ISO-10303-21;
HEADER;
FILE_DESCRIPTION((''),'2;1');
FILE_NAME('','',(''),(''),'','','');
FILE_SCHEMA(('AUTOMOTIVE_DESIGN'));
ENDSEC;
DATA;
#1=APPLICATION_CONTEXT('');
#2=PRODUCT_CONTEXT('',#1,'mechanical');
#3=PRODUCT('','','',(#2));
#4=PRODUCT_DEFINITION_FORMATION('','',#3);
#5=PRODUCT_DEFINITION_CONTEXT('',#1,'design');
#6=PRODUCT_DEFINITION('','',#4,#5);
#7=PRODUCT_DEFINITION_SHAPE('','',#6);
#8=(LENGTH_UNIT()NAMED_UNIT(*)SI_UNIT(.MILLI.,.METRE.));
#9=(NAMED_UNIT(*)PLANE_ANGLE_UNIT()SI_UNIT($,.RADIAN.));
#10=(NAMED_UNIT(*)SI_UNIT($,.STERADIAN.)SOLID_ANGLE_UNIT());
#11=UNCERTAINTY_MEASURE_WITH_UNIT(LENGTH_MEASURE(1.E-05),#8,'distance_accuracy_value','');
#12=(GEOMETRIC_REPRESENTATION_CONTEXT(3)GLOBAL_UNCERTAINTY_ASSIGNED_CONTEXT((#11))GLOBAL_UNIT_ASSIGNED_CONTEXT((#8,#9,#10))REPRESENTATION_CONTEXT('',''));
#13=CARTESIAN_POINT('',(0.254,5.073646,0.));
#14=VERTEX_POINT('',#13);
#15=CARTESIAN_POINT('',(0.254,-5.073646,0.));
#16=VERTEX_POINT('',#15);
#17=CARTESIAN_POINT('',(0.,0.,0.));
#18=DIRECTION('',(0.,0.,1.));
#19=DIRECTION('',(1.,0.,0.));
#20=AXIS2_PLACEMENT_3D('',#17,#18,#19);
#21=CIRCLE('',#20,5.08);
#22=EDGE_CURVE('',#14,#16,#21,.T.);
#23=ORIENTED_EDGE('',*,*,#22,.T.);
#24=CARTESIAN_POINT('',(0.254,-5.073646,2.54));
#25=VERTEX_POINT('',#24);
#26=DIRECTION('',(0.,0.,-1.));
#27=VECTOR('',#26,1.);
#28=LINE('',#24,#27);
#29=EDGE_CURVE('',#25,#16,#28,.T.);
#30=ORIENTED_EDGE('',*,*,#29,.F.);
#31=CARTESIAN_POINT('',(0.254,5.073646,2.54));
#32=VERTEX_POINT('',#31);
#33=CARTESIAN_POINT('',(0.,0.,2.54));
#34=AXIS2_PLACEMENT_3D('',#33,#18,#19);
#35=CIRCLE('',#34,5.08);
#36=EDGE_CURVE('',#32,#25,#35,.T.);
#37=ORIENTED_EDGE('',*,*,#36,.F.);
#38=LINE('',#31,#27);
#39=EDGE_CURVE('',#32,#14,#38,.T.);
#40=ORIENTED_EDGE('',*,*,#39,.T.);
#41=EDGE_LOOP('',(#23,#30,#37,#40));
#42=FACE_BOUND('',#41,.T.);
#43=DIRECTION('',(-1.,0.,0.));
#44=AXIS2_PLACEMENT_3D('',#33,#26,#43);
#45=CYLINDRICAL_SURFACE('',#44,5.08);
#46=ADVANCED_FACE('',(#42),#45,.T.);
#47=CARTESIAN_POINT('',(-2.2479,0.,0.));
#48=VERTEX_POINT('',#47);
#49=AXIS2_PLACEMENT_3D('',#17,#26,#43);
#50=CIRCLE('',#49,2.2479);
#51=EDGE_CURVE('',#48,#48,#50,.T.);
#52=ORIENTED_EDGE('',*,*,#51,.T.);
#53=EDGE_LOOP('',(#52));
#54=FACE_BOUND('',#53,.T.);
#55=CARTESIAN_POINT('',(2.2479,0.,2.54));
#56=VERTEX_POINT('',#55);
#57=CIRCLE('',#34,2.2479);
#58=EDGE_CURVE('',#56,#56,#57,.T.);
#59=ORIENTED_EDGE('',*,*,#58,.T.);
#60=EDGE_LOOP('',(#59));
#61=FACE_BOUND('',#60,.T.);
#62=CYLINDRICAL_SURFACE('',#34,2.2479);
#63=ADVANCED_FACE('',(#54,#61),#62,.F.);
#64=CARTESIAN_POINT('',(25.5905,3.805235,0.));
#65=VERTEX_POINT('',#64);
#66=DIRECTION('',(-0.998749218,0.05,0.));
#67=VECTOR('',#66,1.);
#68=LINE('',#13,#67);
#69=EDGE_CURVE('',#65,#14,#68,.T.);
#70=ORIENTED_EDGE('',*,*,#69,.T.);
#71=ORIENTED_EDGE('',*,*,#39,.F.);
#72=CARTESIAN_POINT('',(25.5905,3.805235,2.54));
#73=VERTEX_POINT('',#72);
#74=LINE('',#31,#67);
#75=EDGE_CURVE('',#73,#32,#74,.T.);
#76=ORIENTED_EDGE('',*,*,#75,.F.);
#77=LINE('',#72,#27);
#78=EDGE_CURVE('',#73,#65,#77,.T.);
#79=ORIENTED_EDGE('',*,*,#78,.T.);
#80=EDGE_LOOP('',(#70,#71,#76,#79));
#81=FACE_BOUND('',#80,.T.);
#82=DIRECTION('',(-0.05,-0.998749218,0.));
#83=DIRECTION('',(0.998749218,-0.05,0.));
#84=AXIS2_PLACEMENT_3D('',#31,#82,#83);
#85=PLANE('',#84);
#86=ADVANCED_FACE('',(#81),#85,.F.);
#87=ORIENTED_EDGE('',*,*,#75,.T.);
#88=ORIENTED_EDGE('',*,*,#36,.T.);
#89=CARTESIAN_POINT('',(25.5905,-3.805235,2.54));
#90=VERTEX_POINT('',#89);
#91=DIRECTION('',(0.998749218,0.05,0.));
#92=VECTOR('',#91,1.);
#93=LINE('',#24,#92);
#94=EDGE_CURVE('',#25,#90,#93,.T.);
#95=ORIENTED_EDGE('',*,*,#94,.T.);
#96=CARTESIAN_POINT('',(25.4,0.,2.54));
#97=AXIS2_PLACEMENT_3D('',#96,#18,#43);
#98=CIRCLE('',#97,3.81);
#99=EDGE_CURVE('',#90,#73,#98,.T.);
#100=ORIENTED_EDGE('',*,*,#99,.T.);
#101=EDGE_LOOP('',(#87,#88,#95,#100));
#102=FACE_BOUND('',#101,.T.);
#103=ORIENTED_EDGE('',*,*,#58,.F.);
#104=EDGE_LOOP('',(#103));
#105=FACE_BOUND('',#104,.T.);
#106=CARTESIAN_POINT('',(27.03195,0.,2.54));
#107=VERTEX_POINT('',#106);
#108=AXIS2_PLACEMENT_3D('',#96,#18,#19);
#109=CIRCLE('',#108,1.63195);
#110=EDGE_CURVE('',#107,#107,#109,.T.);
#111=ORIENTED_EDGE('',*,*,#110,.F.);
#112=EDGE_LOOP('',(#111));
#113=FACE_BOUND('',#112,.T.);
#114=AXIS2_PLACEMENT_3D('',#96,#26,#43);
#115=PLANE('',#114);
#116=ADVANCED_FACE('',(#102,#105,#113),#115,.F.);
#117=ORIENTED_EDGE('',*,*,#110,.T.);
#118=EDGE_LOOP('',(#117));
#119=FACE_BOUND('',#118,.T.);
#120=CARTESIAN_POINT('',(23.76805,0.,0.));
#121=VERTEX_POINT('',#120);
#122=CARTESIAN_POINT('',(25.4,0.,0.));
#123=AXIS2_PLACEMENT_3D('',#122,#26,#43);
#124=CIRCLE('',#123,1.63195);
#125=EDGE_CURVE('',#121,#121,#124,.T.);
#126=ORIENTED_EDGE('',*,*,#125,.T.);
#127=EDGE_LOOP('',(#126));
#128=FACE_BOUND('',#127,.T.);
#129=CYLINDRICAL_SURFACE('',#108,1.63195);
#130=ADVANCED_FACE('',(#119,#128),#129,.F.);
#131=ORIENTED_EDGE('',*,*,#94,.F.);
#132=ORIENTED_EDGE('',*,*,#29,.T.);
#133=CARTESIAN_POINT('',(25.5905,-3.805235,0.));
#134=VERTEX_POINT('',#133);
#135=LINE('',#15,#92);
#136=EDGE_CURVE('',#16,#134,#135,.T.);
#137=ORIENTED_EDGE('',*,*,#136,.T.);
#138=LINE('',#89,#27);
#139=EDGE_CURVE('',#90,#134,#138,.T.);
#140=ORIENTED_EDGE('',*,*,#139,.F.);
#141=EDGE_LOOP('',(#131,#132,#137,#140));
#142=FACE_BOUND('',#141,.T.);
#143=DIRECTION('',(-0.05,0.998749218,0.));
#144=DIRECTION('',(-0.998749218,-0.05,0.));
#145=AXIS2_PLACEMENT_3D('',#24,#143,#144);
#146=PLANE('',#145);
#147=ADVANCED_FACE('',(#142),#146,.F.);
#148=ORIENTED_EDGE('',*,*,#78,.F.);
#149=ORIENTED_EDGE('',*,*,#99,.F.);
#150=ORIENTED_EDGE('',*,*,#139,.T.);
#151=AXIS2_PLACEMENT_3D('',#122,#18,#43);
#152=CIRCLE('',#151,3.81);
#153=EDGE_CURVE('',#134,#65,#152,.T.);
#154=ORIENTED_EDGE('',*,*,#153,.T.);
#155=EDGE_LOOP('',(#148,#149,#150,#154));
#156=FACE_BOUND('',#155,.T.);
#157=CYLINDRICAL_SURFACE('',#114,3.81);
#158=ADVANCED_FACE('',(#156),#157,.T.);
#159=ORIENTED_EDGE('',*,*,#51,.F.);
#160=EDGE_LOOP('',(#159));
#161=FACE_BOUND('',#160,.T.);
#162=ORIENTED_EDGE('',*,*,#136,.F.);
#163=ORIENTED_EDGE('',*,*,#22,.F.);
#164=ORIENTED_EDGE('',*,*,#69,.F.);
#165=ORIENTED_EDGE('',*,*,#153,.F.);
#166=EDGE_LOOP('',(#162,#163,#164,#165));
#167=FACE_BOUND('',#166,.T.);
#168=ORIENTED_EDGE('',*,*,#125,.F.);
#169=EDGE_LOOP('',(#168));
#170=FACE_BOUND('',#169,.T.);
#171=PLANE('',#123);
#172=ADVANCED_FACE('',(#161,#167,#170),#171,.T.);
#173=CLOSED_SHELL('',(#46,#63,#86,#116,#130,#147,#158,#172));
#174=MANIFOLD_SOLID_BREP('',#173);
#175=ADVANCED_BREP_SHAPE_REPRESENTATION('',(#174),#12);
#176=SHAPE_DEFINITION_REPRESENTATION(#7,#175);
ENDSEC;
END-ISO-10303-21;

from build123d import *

# Parameters (mm, degrees)
BOSS_EXTRUDE1_DEPTH   = 2.54
F_8_CLEARANCE_HOLE1_D = 4.4958
F_4_CLEARANCE_HOLE1_D = 3.2639


with BuildPart() as part:
    # Sketch1 → Boss-Extrude1 (new body)
    with BuildSketch(Plane.XY):
        with BuildLine():
            Line((0.254, -5.073646026), (25.5905, -3.80523452))
            ThreePointArc((25.5905, -3.80523452), (29.21, 0), (25.5905, 3.80523452))
            Line((25.5905, 3.80523452), (0.254, 5.073646026))
            ThreePointArc((0.254, 5.073646026), (-5.08, 0), (0.254, -5.073646026))
        make_face()
    extrude(amount=BOSS_EXTRUDE1_DEPTH)

    # #8 Clearance Hole1 (through all)
    with Locations(Plane.XY.offset(2.54)):
        with Locations((0, 0)):
            Hole(F_8_CLEARANCE_HOLE1_D / 2)

    # #4 Clearance Hole1 (through all)
    with Locations(Plane(origin=(25.4, 0, 2.54), x_dir=(1, 0, 0), z_dir=(0, 0, 1))):
        with Locations((0, 0)):
            Hole(F_4_CLEARANCE_HOLE1_D / 2)


solid = part.part
